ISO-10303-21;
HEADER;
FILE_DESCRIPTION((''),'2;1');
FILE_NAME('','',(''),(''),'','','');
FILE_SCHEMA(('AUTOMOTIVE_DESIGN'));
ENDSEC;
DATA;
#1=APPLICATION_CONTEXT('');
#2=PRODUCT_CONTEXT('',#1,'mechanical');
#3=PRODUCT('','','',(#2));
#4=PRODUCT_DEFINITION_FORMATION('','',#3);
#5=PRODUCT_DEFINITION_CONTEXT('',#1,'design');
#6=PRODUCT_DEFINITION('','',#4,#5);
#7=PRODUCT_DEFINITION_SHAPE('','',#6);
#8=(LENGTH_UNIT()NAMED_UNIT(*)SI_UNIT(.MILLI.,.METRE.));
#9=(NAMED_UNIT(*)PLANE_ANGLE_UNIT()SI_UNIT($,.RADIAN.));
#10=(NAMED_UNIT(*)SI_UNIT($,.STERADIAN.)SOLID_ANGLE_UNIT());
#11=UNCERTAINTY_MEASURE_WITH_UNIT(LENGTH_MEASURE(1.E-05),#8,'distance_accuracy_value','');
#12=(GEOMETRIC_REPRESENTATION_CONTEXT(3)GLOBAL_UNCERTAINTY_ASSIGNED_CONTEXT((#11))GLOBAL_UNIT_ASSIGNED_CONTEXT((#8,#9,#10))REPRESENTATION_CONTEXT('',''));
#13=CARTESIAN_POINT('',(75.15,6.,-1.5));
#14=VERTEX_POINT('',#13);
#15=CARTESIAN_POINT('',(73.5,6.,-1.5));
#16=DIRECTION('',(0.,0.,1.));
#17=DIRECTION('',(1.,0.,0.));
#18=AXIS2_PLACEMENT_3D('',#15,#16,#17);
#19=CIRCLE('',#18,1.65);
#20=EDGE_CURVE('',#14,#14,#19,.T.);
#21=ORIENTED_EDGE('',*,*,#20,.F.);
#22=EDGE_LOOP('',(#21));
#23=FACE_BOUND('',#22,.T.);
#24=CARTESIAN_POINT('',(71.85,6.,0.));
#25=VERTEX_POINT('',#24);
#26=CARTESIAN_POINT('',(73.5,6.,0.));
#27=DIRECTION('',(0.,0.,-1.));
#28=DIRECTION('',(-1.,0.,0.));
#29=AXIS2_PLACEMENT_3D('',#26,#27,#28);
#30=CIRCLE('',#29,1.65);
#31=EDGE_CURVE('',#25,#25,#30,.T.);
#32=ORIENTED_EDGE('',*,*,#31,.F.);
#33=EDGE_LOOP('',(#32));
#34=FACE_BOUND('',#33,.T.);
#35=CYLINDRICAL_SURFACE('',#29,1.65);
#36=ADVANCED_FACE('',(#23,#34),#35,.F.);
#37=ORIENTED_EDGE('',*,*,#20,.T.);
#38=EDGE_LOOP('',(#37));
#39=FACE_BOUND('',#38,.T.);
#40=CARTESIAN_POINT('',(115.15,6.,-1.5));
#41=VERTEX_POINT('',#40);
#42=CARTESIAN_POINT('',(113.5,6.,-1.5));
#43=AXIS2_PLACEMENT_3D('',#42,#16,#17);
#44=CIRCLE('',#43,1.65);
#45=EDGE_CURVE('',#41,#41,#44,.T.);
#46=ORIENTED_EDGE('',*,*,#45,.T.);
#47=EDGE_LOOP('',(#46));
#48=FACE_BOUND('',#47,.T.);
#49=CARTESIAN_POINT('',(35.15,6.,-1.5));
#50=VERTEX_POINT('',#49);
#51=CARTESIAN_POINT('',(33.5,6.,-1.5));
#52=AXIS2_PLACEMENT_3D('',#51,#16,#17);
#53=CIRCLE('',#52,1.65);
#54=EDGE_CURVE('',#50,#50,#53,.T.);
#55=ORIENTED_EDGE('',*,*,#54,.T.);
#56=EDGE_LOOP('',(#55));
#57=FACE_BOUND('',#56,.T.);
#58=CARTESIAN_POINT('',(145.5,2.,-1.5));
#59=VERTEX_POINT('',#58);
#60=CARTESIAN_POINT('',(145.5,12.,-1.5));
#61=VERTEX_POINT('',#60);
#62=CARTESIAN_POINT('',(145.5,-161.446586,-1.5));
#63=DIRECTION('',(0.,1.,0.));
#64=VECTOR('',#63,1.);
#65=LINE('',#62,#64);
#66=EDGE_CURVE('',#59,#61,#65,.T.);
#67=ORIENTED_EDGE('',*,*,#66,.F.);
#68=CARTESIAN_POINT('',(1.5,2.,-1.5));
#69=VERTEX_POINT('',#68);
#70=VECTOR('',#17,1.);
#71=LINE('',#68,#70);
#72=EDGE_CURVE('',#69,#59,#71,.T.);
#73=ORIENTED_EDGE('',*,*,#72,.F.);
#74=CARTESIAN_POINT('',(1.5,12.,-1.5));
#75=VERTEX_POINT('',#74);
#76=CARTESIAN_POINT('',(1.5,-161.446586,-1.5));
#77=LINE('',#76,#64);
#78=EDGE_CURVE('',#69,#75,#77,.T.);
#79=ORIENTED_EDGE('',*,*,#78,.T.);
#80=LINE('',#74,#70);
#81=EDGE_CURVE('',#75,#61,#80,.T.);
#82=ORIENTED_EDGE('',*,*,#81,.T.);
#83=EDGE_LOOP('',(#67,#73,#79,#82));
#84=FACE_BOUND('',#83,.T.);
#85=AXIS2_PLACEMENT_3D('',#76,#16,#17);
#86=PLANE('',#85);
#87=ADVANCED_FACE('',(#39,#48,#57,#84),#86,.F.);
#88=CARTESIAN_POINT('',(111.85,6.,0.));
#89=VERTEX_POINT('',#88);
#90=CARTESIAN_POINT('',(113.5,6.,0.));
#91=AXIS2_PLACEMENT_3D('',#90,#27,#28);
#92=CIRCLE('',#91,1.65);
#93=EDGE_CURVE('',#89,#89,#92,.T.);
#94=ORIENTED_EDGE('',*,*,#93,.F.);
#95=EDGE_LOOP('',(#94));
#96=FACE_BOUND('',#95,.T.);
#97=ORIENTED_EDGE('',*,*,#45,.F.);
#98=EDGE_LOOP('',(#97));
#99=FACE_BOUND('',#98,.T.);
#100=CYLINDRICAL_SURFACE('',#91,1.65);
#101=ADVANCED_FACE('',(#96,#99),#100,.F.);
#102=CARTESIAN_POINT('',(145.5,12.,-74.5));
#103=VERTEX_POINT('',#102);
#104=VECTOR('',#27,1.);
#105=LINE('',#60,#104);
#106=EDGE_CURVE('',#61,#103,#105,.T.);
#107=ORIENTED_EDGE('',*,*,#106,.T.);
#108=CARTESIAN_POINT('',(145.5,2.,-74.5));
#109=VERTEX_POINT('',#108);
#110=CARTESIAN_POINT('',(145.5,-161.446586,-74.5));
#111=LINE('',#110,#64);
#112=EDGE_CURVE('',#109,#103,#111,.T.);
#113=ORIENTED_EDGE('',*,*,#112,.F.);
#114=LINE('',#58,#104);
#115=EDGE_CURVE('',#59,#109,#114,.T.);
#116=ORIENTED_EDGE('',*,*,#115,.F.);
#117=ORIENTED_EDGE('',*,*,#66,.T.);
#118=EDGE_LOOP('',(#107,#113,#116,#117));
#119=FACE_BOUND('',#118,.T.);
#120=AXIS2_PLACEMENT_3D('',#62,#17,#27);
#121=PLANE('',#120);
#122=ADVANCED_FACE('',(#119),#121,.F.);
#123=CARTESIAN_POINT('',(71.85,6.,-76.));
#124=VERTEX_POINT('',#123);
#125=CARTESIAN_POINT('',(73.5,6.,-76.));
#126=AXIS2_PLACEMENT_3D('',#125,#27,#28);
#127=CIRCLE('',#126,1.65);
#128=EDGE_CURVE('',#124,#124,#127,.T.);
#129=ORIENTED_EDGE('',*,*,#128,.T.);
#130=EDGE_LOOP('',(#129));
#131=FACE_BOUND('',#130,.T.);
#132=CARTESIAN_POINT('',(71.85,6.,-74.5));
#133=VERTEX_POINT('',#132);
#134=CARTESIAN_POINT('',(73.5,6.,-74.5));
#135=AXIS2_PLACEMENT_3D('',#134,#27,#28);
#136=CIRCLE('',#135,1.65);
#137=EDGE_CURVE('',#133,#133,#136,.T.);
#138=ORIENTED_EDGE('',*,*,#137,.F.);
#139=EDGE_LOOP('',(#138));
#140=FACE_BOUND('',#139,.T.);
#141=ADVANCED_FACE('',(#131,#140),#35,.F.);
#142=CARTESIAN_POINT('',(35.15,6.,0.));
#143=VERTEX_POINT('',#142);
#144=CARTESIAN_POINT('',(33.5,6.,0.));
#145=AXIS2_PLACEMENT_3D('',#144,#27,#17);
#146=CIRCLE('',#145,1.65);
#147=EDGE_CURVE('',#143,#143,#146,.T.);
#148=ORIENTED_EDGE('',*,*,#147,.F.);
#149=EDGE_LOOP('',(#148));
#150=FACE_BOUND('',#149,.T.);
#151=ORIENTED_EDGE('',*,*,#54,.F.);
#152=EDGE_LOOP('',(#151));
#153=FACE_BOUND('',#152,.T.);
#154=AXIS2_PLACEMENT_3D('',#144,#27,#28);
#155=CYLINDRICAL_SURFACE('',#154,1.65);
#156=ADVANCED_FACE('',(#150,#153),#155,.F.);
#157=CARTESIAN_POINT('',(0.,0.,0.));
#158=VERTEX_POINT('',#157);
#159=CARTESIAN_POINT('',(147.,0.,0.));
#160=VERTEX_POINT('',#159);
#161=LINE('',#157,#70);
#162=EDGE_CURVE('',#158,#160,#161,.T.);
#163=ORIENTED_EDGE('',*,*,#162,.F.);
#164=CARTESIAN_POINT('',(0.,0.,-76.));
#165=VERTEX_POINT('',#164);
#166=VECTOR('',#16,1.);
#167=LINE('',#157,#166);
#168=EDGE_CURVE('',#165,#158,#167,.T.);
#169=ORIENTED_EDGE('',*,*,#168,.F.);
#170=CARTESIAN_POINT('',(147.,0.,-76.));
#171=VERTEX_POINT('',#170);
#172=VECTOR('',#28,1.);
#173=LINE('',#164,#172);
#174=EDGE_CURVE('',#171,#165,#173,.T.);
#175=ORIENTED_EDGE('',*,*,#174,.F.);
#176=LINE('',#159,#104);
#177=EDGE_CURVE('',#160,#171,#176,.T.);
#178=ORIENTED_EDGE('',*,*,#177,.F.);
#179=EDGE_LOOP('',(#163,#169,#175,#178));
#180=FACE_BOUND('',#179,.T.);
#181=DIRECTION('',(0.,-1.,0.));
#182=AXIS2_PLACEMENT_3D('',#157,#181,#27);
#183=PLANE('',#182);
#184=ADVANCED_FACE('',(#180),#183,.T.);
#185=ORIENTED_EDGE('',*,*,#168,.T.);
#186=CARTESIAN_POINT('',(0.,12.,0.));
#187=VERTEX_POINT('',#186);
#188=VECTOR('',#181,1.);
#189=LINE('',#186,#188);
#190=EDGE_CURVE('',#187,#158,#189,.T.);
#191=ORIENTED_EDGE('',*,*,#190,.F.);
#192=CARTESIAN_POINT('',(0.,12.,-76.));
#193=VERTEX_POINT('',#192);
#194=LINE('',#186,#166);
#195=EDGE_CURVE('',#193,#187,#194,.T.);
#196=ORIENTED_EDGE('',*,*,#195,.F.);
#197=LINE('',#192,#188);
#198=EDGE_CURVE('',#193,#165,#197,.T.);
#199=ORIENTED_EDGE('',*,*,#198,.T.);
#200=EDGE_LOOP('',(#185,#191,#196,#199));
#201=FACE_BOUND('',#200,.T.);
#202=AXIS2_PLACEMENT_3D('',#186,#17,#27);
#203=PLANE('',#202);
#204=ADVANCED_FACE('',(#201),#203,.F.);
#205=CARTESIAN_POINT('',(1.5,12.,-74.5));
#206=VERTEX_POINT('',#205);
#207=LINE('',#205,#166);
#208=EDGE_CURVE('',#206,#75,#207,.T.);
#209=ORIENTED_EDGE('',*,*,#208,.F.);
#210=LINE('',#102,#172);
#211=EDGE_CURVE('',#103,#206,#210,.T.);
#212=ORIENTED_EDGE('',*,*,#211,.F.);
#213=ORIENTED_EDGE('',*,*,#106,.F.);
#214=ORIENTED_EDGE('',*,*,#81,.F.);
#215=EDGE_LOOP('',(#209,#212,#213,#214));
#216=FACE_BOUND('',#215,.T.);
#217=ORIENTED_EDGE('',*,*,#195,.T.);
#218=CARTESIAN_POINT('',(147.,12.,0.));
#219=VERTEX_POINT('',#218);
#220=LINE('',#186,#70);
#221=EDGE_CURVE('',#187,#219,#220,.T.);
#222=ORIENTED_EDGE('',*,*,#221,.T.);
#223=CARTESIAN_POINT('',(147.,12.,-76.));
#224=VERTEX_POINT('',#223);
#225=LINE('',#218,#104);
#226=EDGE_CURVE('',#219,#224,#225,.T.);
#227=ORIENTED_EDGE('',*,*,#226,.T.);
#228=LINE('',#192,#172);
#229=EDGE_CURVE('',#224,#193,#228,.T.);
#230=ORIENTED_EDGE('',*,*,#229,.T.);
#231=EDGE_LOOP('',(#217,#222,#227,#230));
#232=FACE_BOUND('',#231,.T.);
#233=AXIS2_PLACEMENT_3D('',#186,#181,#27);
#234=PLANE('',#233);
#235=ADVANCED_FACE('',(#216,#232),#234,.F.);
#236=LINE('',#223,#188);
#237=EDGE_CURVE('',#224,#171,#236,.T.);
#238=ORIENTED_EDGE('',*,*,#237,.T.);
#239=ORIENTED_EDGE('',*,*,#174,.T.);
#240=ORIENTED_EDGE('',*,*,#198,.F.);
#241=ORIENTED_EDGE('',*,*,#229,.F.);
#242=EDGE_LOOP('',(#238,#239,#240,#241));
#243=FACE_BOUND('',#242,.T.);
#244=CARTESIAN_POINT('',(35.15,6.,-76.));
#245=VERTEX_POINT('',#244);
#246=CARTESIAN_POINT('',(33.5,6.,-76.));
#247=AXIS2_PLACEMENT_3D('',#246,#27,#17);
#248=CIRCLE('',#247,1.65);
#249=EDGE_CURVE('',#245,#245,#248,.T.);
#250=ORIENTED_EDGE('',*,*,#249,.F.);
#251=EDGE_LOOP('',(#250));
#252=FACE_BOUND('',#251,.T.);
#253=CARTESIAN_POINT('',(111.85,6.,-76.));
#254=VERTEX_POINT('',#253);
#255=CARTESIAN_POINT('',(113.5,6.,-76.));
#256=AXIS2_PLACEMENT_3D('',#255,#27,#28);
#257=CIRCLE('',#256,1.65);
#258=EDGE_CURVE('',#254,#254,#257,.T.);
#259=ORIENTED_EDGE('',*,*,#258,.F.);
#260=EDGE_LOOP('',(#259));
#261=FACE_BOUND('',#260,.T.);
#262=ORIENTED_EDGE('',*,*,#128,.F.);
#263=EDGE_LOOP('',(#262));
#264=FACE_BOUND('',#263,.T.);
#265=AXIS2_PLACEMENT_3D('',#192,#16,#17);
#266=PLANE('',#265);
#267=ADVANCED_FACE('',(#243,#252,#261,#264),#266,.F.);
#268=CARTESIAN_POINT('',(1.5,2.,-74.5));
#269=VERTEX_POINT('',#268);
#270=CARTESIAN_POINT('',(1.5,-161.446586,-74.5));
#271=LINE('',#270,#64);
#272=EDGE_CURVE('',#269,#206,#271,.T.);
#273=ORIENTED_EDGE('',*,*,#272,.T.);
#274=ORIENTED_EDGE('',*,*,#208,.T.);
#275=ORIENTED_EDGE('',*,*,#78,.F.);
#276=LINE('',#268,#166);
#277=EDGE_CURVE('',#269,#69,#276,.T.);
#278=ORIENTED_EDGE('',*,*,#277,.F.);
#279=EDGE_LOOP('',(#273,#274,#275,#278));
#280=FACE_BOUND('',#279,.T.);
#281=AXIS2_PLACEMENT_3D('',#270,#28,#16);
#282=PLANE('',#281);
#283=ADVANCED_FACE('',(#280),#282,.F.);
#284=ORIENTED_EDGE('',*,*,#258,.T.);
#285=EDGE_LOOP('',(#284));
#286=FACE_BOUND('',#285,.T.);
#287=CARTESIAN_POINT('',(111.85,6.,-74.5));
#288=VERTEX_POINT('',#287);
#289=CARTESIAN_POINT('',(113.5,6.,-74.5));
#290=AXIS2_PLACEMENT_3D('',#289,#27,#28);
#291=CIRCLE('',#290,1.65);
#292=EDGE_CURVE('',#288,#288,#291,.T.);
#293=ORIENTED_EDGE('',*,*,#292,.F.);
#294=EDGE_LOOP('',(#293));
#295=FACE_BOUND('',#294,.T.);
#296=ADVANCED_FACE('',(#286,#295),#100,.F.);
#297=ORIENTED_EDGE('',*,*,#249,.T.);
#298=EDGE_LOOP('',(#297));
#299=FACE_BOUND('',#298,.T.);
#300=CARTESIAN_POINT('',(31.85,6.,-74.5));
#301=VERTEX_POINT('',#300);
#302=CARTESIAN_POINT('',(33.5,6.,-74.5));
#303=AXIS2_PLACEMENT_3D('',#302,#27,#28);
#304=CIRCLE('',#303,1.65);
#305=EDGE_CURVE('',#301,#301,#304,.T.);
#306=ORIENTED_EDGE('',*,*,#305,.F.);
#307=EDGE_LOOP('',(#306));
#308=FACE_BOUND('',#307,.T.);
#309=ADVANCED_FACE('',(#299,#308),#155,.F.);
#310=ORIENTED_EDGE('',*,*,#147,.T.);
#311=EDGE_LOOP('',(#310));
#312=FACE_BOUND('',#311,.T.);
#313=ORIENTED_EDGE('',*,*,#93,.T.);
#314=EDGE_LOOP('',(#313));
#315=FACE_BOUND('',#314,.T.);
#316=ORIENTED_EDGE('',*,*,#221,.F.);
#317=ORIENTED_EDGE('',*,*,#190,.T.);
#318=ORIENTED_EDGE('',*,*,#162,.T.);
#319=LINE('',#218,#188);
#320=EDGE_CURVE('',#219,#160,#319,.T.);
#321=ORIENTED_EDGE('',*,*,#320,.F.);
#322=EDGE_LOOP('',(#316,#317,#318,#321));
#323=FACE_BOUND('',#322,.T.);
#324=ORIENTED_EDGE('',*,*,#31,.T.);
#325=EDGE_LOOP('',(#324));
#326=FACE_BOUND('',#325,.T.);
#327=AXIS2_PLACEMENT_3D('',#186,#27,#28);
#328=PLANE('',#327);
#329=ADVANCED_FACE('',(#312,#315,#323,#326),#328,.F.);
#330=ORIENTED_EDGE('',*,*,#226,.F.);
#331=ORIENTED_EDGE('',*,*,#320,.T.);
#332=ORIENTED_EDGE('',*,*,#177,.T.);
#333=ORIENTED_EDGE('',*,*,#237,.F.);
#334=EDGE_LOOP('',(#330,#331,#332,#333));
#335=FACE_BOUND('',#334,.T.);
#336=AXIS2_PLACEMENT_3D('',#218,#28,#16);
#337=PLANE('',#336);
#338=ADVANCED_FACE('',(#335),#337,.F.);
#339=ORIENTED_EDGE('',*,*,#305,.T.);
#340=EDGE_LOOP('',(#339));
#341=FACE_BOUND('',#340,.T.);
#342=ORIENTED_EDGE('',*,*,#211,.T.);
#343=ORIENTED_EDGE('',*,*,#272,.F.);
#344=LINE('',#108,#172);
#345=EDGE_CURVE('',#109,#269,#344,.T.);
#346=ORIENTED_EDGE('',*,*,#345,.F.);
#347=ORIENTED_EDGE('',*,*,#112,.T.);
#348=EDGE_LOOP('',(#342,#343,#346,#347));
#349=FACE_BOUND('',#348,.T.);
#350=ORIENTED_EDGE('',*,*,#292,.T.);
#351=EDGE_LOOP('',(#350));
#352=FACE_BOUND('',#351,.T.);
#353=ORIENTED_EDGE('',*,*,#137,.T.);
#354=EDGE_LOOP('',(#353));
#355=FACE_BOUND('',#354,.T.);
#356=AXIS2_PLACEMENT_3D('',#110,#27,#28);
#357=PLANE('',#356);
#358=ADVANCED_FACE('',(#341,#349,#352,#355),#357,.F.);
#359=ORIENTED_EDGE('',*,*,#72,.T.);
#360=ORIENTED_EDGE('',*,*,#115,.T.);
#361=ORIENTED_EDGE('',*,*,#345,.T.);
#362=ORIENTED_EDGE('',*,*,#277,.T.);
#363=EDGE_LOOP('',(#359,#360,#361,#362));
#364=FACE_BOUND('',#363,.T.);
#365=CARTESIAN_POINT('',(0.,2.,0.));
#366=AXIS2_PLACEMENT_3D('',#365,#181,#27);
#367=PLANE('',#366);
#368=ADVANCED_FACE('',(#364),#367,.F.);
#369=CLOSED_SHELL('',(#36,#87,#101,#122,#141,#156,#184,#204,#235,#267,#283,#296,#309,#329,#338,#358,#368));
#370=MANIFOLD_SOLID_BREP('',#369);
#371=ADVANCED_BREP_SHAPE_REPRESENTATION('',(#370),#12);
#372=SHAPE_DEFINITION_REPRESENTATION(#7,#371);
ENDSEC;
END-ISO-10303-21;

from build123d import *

# Parameters (mm, degrees)
SKETCH_1_W          = 147
SKETCH_1_H          = 76
EXTRUDE_1_DEPTH     = 12
SKETCH_2_W          = 144
SKETCH_2_H          = 73
CUT_EXTRUDE_1_DEPTH = 10
SKETCH_3_R          = 1.65
CUT_EXTRUDE_2_DEPTH = 166.918654768


with BuildPart() as part:
    # 草图1 → 凸台-拉伸1 (new body)
    with BuildSketch(Plane(origin=(0, 0, 0), x_dir=(1, 0, 0), z_dir=(0, 1, 0))):
        with Locations((73.5, 38)):
            Rectangle(SKETCH_1_W, SKETCH_1_H)
    extrude(amount=EXTRUDE_1_DEPTH)

    # 草图2 → 切除-拉伸1 (cut)
    with BuildSketch(Plane(origin=(0, 12, 0), x_dir=(1, 0, 0), z_dir=(0, 1, 0))):
        with Locations((73.5, 38)):
            Rectangle(SKETCH_2_W, SKETCH_2_H)
    extrude(amount=-CUT_EXTRUDE_1_DEPTH, mode=Mode.SUBTRACT)

    # 草图3 → 切除-拉伸2 (cut, through all)
    with BuildSketch(Plane(origin=(0, 0, -76), x_dir=(-1, 0, 0), z_dir=(0, 0, -1))):
        with Locations((-113.5, 6)):
            Circle(SKETCH_3_R)
        with Locations((-33.5, 6)):
            Circle(SKETCH_3_R)
        with Locations((-73.5, 6)):
            Circle(SKETCH_3_R)
    extrude(amount=-CUT_EXTRUDE_2_DEPTH, mode=Mode.SUBTRACT)


solid = part.part
